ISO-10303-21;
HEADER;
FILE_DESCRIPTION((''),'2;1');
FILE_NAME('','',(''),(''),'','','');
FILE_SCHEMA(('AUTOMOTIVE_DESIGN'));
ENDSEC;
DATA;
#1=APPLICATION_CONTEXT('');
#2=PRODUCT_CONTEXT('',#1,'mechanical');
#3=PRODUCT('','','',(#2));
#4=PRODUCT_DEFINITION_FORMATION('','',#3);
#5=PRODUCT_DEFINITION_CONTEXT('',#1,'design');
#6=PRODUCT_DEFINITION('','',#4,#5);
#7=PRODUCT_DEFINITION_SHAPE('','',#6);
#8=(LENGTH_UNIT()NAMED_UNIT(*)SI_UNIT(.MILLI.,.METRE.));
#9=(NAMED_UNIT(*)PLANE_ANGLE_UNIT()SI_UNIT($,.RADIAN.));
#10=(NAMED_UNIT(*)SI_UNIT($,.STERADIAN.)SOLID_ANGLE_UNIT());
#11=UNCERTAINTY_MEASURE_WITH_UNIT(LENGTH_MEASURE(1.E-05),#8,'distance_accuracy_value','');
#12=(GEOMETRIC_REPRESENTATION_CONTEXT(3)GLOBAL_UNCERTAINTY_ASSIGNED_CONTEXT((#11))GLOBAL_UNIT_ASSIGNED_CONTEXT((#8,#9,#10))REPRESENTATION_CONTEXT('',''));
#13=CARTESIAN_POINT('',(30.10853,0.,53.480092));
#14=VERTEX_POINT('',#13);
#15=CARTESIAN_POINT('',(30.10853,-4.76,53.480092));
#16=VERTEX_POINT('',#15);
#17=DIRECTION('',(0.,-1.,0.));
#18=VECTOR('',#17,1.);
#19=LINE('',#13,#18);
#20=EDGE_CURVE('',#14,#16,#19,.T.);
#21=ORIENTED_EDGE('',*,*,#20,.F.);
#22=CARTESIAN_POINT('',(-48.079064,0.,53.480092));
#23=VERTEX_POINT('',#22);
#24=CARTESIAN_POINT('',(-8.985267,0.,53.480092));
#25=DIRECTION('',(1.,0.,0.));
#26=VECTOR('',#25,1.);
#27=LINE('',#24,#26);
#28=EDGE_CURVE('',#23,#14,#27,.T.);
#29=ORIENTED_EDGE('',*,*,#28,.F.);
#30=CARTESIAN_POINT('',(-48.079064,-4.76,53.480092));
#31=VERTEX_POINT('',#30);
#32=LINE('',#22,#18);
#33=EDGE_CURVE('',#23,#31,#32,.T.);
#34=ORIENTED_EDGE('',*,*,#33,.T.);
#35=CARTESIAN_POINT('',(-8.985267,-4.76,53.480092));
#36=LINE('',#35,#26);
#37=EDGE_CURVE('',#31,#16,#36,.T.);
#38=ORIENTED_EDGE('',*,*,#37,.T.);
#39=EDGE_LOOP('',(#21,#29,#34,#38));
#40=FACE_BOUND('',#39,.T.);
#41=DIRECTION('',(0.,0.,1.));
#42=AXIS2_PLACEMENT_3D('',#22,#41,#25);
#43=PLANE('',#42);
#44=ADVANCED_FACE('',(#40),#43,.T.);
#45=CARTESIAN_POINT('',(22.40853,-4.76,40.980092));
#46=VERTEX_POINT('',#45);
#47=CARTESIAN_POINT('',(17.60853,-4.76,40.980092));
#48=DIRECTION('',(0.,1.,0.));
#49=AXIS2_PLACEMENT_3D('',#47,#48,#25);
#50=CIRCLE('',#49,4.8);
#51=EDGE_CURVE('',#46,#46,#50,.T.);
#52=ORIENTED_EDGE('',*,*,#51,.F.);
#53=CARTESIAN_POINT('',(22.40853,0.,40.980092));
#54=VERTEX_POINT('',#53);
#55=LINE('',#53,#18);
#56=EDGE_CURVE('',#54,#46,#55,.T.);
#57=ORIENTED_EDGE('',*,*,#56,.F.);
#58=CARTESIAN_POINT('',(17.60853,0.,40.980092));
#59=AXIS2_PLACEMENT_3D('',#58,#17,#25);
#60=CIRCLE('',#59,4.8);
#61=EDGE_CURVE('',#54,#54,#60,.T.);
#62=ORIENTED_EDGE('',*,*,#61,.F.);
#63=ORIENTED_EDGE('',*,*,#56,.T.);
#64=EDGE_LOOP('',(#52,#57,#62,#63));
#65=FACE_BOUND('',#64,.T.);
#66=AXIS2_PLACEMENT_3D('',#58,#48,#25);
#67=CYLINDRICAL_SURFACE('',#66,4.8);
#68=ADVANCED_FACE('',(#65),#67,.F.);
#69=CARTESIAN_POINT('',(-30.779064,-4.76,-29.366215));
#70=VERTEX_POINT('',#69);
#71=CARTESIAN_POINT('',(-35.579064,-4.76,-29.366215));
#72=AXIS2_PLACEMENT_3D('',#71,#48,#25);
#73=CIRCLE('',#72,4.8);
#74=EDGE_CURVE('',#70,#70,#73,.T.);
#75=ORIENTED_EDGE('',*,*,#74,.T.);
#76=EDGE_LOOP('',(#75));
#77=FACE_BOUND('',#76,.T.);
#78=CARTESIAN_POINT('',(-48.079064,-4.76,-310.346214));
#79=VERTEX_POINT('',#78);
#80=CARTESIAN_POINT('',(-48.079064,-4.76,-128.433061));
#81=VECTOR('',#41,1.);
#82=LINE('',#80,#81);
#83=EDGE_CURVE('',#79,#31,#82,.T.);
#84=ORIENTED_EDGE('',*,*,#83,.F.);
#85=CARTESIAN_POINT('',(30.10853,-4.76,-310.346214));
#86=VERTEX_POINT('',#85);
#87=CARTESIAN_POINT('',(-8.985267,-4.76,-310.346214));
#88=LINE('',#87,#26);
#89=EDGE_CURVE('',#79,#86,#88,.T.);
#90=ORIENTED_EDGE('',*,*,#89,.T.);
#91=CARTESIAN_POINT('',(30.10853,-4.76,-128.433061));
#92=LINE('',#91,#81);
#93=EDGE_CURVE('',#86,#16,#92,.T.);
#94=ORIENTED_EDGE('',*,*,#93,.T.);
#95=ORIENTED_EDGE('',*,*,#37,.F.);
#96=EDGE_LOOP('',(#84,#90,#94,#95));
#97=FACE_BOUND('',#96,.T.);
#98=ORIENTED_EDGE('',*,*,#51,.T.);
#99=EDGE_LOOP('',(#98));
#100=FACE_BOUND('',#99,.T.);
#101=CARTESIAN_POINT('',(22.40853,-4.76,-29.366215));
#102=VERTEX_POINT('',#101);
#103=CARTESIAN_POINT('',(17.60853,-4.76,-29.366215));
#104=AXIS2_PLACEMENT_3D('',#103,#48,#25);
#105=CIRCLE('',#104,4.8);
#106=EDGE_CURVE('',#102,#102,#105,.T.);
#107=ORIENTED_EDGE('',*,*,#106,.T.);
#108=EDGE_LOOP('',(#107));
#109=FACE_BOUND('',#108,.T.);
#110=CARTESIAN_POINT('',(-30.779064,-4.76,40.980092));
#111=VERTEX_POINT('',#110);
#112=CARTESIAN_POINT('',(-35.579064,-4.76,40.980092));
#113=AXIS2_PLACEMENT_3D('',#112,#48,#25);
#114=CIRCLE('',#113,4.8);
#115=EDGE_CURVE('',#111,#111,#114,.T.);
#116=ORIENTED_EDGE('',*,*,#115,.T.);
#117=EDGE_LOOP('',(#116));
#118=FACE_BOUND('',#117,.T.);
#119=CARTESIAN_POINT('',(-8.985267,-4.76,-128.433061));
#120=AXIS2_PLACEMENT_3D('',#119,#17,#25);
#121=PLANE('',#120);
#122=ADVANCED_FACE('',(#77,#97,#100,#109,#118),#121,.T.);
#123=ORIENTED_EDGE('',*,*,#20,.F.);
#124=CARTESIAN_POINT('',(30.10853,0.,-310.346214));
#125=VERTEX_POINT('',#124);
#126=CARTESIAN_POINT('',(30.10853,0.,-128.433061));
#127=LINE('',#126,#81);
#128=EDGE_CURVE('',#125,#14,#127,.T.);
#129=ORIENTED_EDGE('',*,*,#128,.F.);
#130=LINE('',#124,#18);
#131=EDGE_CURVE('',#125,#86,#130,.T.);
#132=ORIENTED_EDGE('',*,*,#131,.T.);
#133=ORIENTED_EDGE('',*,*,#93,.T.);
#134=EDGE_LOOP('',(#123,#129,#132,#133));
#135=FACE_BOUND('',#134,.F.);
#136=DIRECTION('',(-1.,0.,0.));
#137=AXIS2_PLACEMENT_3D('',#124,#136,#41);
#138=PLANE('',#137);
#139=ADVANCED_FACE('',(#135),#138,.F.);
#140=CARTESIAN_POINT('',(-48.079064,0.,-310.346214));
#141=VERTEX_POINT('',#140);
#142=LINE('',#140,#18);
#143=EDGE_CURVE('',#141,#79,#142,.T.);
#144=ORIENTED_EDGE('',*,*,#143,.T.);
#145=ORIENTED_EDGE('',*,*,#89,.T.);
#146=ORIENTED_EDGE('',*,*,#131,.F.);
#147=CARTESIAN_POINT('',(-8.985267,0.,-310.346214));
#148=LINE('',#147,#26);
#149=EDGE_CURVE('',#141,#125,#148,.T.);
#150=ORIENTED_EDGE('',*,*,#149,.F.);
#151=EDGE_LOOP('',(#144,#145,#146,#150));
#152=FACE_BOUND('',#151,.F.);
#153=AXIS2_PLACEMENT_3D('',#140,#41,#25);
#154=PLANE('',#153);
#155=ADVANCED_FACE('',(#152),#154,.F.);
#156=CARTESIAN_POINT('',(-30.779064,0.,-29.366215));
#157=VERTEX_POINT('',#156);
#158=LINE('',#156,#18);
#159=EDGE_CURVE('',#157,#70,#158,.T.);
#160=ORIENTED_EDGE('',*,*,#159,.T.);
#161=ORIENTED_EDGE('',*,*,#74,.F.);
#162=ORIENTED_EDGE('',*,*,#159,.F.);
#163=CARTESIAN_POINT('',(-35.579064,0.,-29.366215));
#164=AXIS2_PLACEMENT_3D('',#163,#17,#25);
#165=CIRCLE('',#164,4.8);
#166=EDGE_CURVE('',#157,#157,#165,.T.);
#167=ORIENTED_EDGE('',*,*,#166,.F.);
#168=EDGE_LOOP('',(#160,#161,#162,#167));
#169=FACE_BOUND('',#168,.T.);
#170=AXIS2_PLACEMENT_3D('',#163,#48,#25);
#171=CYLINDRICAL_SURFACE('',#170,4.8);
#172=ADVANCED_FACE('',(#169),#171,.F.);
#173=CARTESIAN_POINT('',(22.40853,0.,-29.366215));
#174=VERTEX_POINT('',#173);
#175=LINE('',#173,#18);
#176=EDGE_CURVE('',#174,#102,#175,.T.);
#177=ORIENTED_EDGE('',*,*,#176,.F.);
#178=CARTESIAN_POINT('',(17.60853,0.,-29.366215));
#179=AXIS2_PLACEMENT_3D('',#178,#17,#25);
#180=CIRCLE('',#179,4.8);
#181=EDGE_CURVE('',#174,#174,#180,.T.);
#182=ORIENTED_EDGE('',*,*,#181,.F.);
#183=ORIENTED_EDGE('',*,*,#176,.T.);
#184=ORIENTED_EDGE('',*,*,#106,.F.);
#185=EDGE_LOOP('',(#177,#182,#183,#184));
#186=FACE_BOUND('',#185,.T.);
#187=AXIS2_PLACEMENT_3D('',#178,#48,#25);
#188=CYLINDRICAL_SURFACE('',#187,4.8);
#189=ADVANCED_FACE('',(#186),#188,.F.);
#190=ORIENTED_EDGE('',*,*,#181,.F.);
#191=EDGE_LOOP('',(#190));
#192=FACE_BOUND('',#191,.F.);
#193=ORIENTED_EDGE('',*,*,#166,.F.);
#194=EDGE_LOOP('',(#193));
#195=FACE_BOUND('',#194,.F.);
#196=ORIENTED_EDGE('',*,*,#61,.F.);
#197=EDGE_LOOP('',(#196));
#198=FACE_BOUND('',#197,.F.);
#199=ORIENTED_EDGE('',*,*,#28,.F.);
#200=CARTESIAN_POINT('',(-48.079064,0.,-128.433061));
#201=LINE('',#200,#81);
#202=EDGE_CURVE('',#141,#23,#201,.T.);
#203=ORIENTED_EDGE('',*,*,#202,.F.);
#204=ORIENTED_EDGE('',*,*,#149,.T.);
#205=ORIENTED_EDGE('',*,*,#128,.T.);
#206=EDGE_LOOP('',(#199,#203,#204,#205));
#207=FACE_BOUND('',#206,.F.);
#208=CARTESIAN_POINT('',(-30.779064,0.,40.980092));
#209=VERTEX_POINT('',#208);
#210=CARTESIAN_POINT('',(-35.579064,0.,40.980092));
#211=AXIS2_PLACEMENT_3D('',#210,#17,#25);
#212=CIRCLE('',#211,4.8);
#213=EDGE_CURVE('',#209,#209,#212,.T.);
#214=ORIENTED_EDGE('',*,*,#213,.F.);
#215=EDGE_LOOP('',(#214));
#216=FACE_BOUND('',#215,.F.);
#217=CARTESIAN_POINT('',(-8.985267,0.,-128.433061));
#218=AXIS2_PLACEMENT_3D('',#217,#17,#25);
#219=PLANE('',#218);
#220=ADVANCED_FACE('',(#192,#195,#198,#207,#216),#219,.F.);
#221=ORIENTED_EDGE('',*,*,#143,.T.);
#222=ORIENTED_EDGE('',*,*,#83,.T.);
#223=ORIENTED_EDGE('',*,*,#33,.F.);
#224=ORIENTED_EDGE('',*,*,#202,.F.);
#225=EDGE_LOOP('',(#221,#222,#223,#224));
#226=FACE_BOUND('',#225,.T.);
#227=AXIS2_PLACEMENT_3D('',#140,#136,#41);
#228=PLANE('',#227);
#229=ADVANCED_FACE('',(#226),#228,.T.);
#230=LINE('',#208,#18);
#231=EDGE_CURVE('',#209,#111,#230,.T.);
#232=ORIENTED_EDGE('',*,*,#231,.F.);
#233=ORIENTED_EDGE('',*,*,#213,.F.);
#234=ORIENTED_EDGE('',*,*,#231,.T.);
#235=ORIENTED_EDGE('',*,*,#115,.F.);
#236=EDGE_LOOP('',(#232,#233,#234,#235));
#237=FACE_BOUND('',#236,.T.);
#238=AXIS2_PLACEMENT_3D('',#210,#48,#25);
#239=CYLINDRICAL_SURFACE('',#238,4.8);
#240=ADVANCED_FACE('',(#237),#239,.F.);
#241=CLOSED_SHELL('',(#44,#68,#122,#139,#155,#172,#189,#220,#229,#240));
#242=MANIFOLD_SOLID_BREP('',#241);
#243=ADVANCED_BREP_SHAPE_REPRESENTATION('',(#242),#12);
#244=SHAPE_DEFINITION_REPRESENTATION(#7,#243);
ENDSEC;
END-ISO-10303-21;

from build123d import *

# Parameters (mm, degrees)
F0_W     = 78.187594
F0_H     = 363.826307
F2_DEPTH = 4.76
F1_R     = 4.8
F3_DEPTH = 4.761


with BuildPart() as f2:
    # F0 (on Front) → F2 (new body)
    with BuildSketch(Plane.XZ):
        with Locations((-8.985267, -128.433061)):
            Rectangle(F0_W, F0_H)
    extrude(amount=F2_DEPTH)

    # F1 (on Front) → F3 (cut, through all)
    with BuildSketch(Plane.XZ):
        with Locations((-35.579064, 40.980092)):
            Circle(F1_R)
        with Locations((17.60853, 40.980092)):
            Circle(F1_R)
        with Locations((17.60853, -29.366215)):
            Circle(F1_R)
        with Locations((-35.579064, -29.366215)):
            Circle(F1_R)
    extrude(amount=F3_DEPTH, mode=Mode.SUBTRACT)


solid = f2.part
